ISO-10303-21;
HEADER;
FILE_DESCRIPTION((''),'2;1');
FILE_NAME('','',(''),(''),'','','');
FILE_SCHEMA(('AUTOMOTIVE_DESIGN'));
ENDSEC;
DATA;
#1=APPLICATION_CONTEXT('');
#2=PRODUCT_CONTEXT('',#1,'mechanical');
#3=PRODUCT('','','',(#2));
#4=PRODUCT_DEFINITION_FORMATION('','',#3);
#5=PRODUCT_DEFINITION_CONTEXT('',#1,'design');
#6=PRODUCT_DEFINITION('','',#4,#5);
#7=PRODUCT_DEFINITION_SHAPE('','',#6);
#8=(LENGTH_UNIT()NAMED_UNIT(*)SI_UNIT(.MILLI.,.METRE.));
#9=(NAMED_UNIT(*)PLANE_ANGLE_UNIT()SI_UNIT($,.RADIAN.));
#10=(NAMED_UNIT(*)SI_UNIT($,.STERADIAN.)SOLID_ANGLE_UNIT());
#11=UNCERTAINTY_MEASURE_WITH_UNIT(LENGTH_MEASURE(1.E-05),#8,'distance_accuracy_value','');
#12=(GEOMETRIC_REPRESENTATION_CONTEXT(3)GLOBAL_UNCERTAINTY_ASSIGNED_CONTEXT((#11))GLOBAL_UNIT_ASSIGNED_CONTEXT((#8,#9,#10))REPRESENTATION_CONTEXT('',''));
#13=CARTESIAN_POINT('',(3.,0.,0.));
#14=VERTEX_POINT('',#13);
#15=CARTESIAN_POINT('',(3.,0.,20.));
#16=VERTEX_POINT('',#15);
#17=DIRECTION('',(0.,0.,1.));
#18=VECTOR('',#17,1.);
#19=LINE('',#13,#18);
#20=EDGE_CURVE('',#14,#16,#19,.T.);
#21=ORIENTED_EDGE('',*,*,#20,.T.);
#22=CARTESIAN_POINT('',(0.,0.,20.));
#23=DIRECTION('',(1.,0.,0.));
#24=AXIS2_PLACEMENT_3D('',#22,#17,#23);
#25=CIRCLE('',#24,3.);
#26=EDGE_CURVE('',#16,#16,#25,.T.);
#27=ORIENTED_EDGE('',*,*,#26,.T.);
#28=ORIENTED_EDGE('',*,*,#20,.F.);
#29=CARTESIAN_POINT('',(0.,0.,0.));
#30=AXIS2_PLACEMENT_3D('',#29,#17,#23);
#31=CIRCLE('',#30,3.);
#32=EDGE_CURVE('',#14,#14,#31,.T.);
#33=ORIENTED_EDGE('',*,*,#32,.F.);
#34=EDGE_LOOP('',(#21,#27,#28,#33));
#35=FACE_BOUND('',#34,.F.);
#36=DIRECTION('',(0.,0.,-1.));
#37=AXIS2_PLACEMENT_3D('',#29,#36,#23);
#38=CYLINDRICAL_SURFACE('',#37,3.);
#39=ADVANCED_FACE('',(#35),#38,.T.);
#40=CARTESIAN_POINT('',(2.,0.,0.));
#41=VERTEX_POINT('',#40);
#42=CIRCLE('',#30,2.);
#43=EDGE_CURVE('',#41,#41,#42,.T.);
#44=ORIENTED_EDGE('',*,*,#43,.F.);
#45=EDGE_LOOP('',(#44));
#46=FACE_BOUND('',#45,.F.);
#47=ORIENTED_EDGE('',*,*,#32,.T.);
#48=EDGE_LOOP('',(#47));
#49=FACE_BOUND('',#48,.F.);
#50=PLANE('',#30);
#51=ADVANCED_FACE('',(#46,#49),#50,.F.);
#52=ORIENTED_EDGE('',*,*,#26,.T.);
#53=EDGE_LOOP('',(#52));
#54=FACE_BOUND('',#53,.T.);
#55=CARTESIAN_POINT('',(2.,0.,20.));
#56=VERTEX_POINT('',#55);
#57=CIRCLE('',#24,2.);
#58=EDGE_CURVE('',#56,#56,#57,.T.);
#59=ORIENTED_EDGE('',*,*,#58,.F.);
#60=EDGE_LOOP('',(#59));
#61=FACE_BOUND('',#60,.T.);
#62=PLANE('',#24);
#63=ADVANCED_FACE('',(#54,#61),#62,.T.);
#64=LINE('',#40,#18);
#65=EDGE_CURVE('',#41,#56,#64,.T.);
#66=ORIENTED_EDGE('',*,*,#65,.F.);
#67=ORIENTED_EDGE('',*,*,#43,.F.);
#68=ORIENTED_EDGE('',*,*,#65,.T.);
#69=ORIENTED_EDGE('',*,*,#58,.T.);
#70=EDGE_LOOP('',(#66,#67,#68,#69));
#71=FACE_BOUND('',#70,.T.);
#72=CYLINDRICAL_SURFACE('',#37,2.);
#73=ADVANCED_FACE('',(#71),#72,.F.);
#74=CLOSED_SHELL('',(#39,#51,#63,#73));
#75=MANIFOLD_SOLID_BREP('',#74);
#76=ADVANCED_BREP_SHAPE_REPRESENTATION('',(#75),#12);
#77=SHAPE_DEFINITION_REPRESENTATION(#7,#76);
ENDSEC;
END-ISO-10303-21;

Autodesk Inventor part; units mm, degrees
ref_plane "YZ Plane" through (0, 0, 0) normal (1, 0, 0) x (0, 1, 0)
ref_plane "XZ Plane" through (0, 0, 0) normal (0, 1, 0) x (-1, 0, 0)
ref_plane "XY Plane" through (0, 0, 0) normal (0, 0, 1) x (1, 0, 0)
sketch "スケッチ1" plane through (0, 0, 0) normal (0, 0, 1) x (1, 0, 0)
  circle A0 centre (0, 0) radius 3
  circle A1 centre (0, 0) radius 2
  dimension "d0" = 6
  dimension "d1" = 4
extrude "押し出し1" add sketch "スケッチ1" along normal blind 20
properties part number "pi_motorbase_1" material "アルミニウム 6061-AHC"
